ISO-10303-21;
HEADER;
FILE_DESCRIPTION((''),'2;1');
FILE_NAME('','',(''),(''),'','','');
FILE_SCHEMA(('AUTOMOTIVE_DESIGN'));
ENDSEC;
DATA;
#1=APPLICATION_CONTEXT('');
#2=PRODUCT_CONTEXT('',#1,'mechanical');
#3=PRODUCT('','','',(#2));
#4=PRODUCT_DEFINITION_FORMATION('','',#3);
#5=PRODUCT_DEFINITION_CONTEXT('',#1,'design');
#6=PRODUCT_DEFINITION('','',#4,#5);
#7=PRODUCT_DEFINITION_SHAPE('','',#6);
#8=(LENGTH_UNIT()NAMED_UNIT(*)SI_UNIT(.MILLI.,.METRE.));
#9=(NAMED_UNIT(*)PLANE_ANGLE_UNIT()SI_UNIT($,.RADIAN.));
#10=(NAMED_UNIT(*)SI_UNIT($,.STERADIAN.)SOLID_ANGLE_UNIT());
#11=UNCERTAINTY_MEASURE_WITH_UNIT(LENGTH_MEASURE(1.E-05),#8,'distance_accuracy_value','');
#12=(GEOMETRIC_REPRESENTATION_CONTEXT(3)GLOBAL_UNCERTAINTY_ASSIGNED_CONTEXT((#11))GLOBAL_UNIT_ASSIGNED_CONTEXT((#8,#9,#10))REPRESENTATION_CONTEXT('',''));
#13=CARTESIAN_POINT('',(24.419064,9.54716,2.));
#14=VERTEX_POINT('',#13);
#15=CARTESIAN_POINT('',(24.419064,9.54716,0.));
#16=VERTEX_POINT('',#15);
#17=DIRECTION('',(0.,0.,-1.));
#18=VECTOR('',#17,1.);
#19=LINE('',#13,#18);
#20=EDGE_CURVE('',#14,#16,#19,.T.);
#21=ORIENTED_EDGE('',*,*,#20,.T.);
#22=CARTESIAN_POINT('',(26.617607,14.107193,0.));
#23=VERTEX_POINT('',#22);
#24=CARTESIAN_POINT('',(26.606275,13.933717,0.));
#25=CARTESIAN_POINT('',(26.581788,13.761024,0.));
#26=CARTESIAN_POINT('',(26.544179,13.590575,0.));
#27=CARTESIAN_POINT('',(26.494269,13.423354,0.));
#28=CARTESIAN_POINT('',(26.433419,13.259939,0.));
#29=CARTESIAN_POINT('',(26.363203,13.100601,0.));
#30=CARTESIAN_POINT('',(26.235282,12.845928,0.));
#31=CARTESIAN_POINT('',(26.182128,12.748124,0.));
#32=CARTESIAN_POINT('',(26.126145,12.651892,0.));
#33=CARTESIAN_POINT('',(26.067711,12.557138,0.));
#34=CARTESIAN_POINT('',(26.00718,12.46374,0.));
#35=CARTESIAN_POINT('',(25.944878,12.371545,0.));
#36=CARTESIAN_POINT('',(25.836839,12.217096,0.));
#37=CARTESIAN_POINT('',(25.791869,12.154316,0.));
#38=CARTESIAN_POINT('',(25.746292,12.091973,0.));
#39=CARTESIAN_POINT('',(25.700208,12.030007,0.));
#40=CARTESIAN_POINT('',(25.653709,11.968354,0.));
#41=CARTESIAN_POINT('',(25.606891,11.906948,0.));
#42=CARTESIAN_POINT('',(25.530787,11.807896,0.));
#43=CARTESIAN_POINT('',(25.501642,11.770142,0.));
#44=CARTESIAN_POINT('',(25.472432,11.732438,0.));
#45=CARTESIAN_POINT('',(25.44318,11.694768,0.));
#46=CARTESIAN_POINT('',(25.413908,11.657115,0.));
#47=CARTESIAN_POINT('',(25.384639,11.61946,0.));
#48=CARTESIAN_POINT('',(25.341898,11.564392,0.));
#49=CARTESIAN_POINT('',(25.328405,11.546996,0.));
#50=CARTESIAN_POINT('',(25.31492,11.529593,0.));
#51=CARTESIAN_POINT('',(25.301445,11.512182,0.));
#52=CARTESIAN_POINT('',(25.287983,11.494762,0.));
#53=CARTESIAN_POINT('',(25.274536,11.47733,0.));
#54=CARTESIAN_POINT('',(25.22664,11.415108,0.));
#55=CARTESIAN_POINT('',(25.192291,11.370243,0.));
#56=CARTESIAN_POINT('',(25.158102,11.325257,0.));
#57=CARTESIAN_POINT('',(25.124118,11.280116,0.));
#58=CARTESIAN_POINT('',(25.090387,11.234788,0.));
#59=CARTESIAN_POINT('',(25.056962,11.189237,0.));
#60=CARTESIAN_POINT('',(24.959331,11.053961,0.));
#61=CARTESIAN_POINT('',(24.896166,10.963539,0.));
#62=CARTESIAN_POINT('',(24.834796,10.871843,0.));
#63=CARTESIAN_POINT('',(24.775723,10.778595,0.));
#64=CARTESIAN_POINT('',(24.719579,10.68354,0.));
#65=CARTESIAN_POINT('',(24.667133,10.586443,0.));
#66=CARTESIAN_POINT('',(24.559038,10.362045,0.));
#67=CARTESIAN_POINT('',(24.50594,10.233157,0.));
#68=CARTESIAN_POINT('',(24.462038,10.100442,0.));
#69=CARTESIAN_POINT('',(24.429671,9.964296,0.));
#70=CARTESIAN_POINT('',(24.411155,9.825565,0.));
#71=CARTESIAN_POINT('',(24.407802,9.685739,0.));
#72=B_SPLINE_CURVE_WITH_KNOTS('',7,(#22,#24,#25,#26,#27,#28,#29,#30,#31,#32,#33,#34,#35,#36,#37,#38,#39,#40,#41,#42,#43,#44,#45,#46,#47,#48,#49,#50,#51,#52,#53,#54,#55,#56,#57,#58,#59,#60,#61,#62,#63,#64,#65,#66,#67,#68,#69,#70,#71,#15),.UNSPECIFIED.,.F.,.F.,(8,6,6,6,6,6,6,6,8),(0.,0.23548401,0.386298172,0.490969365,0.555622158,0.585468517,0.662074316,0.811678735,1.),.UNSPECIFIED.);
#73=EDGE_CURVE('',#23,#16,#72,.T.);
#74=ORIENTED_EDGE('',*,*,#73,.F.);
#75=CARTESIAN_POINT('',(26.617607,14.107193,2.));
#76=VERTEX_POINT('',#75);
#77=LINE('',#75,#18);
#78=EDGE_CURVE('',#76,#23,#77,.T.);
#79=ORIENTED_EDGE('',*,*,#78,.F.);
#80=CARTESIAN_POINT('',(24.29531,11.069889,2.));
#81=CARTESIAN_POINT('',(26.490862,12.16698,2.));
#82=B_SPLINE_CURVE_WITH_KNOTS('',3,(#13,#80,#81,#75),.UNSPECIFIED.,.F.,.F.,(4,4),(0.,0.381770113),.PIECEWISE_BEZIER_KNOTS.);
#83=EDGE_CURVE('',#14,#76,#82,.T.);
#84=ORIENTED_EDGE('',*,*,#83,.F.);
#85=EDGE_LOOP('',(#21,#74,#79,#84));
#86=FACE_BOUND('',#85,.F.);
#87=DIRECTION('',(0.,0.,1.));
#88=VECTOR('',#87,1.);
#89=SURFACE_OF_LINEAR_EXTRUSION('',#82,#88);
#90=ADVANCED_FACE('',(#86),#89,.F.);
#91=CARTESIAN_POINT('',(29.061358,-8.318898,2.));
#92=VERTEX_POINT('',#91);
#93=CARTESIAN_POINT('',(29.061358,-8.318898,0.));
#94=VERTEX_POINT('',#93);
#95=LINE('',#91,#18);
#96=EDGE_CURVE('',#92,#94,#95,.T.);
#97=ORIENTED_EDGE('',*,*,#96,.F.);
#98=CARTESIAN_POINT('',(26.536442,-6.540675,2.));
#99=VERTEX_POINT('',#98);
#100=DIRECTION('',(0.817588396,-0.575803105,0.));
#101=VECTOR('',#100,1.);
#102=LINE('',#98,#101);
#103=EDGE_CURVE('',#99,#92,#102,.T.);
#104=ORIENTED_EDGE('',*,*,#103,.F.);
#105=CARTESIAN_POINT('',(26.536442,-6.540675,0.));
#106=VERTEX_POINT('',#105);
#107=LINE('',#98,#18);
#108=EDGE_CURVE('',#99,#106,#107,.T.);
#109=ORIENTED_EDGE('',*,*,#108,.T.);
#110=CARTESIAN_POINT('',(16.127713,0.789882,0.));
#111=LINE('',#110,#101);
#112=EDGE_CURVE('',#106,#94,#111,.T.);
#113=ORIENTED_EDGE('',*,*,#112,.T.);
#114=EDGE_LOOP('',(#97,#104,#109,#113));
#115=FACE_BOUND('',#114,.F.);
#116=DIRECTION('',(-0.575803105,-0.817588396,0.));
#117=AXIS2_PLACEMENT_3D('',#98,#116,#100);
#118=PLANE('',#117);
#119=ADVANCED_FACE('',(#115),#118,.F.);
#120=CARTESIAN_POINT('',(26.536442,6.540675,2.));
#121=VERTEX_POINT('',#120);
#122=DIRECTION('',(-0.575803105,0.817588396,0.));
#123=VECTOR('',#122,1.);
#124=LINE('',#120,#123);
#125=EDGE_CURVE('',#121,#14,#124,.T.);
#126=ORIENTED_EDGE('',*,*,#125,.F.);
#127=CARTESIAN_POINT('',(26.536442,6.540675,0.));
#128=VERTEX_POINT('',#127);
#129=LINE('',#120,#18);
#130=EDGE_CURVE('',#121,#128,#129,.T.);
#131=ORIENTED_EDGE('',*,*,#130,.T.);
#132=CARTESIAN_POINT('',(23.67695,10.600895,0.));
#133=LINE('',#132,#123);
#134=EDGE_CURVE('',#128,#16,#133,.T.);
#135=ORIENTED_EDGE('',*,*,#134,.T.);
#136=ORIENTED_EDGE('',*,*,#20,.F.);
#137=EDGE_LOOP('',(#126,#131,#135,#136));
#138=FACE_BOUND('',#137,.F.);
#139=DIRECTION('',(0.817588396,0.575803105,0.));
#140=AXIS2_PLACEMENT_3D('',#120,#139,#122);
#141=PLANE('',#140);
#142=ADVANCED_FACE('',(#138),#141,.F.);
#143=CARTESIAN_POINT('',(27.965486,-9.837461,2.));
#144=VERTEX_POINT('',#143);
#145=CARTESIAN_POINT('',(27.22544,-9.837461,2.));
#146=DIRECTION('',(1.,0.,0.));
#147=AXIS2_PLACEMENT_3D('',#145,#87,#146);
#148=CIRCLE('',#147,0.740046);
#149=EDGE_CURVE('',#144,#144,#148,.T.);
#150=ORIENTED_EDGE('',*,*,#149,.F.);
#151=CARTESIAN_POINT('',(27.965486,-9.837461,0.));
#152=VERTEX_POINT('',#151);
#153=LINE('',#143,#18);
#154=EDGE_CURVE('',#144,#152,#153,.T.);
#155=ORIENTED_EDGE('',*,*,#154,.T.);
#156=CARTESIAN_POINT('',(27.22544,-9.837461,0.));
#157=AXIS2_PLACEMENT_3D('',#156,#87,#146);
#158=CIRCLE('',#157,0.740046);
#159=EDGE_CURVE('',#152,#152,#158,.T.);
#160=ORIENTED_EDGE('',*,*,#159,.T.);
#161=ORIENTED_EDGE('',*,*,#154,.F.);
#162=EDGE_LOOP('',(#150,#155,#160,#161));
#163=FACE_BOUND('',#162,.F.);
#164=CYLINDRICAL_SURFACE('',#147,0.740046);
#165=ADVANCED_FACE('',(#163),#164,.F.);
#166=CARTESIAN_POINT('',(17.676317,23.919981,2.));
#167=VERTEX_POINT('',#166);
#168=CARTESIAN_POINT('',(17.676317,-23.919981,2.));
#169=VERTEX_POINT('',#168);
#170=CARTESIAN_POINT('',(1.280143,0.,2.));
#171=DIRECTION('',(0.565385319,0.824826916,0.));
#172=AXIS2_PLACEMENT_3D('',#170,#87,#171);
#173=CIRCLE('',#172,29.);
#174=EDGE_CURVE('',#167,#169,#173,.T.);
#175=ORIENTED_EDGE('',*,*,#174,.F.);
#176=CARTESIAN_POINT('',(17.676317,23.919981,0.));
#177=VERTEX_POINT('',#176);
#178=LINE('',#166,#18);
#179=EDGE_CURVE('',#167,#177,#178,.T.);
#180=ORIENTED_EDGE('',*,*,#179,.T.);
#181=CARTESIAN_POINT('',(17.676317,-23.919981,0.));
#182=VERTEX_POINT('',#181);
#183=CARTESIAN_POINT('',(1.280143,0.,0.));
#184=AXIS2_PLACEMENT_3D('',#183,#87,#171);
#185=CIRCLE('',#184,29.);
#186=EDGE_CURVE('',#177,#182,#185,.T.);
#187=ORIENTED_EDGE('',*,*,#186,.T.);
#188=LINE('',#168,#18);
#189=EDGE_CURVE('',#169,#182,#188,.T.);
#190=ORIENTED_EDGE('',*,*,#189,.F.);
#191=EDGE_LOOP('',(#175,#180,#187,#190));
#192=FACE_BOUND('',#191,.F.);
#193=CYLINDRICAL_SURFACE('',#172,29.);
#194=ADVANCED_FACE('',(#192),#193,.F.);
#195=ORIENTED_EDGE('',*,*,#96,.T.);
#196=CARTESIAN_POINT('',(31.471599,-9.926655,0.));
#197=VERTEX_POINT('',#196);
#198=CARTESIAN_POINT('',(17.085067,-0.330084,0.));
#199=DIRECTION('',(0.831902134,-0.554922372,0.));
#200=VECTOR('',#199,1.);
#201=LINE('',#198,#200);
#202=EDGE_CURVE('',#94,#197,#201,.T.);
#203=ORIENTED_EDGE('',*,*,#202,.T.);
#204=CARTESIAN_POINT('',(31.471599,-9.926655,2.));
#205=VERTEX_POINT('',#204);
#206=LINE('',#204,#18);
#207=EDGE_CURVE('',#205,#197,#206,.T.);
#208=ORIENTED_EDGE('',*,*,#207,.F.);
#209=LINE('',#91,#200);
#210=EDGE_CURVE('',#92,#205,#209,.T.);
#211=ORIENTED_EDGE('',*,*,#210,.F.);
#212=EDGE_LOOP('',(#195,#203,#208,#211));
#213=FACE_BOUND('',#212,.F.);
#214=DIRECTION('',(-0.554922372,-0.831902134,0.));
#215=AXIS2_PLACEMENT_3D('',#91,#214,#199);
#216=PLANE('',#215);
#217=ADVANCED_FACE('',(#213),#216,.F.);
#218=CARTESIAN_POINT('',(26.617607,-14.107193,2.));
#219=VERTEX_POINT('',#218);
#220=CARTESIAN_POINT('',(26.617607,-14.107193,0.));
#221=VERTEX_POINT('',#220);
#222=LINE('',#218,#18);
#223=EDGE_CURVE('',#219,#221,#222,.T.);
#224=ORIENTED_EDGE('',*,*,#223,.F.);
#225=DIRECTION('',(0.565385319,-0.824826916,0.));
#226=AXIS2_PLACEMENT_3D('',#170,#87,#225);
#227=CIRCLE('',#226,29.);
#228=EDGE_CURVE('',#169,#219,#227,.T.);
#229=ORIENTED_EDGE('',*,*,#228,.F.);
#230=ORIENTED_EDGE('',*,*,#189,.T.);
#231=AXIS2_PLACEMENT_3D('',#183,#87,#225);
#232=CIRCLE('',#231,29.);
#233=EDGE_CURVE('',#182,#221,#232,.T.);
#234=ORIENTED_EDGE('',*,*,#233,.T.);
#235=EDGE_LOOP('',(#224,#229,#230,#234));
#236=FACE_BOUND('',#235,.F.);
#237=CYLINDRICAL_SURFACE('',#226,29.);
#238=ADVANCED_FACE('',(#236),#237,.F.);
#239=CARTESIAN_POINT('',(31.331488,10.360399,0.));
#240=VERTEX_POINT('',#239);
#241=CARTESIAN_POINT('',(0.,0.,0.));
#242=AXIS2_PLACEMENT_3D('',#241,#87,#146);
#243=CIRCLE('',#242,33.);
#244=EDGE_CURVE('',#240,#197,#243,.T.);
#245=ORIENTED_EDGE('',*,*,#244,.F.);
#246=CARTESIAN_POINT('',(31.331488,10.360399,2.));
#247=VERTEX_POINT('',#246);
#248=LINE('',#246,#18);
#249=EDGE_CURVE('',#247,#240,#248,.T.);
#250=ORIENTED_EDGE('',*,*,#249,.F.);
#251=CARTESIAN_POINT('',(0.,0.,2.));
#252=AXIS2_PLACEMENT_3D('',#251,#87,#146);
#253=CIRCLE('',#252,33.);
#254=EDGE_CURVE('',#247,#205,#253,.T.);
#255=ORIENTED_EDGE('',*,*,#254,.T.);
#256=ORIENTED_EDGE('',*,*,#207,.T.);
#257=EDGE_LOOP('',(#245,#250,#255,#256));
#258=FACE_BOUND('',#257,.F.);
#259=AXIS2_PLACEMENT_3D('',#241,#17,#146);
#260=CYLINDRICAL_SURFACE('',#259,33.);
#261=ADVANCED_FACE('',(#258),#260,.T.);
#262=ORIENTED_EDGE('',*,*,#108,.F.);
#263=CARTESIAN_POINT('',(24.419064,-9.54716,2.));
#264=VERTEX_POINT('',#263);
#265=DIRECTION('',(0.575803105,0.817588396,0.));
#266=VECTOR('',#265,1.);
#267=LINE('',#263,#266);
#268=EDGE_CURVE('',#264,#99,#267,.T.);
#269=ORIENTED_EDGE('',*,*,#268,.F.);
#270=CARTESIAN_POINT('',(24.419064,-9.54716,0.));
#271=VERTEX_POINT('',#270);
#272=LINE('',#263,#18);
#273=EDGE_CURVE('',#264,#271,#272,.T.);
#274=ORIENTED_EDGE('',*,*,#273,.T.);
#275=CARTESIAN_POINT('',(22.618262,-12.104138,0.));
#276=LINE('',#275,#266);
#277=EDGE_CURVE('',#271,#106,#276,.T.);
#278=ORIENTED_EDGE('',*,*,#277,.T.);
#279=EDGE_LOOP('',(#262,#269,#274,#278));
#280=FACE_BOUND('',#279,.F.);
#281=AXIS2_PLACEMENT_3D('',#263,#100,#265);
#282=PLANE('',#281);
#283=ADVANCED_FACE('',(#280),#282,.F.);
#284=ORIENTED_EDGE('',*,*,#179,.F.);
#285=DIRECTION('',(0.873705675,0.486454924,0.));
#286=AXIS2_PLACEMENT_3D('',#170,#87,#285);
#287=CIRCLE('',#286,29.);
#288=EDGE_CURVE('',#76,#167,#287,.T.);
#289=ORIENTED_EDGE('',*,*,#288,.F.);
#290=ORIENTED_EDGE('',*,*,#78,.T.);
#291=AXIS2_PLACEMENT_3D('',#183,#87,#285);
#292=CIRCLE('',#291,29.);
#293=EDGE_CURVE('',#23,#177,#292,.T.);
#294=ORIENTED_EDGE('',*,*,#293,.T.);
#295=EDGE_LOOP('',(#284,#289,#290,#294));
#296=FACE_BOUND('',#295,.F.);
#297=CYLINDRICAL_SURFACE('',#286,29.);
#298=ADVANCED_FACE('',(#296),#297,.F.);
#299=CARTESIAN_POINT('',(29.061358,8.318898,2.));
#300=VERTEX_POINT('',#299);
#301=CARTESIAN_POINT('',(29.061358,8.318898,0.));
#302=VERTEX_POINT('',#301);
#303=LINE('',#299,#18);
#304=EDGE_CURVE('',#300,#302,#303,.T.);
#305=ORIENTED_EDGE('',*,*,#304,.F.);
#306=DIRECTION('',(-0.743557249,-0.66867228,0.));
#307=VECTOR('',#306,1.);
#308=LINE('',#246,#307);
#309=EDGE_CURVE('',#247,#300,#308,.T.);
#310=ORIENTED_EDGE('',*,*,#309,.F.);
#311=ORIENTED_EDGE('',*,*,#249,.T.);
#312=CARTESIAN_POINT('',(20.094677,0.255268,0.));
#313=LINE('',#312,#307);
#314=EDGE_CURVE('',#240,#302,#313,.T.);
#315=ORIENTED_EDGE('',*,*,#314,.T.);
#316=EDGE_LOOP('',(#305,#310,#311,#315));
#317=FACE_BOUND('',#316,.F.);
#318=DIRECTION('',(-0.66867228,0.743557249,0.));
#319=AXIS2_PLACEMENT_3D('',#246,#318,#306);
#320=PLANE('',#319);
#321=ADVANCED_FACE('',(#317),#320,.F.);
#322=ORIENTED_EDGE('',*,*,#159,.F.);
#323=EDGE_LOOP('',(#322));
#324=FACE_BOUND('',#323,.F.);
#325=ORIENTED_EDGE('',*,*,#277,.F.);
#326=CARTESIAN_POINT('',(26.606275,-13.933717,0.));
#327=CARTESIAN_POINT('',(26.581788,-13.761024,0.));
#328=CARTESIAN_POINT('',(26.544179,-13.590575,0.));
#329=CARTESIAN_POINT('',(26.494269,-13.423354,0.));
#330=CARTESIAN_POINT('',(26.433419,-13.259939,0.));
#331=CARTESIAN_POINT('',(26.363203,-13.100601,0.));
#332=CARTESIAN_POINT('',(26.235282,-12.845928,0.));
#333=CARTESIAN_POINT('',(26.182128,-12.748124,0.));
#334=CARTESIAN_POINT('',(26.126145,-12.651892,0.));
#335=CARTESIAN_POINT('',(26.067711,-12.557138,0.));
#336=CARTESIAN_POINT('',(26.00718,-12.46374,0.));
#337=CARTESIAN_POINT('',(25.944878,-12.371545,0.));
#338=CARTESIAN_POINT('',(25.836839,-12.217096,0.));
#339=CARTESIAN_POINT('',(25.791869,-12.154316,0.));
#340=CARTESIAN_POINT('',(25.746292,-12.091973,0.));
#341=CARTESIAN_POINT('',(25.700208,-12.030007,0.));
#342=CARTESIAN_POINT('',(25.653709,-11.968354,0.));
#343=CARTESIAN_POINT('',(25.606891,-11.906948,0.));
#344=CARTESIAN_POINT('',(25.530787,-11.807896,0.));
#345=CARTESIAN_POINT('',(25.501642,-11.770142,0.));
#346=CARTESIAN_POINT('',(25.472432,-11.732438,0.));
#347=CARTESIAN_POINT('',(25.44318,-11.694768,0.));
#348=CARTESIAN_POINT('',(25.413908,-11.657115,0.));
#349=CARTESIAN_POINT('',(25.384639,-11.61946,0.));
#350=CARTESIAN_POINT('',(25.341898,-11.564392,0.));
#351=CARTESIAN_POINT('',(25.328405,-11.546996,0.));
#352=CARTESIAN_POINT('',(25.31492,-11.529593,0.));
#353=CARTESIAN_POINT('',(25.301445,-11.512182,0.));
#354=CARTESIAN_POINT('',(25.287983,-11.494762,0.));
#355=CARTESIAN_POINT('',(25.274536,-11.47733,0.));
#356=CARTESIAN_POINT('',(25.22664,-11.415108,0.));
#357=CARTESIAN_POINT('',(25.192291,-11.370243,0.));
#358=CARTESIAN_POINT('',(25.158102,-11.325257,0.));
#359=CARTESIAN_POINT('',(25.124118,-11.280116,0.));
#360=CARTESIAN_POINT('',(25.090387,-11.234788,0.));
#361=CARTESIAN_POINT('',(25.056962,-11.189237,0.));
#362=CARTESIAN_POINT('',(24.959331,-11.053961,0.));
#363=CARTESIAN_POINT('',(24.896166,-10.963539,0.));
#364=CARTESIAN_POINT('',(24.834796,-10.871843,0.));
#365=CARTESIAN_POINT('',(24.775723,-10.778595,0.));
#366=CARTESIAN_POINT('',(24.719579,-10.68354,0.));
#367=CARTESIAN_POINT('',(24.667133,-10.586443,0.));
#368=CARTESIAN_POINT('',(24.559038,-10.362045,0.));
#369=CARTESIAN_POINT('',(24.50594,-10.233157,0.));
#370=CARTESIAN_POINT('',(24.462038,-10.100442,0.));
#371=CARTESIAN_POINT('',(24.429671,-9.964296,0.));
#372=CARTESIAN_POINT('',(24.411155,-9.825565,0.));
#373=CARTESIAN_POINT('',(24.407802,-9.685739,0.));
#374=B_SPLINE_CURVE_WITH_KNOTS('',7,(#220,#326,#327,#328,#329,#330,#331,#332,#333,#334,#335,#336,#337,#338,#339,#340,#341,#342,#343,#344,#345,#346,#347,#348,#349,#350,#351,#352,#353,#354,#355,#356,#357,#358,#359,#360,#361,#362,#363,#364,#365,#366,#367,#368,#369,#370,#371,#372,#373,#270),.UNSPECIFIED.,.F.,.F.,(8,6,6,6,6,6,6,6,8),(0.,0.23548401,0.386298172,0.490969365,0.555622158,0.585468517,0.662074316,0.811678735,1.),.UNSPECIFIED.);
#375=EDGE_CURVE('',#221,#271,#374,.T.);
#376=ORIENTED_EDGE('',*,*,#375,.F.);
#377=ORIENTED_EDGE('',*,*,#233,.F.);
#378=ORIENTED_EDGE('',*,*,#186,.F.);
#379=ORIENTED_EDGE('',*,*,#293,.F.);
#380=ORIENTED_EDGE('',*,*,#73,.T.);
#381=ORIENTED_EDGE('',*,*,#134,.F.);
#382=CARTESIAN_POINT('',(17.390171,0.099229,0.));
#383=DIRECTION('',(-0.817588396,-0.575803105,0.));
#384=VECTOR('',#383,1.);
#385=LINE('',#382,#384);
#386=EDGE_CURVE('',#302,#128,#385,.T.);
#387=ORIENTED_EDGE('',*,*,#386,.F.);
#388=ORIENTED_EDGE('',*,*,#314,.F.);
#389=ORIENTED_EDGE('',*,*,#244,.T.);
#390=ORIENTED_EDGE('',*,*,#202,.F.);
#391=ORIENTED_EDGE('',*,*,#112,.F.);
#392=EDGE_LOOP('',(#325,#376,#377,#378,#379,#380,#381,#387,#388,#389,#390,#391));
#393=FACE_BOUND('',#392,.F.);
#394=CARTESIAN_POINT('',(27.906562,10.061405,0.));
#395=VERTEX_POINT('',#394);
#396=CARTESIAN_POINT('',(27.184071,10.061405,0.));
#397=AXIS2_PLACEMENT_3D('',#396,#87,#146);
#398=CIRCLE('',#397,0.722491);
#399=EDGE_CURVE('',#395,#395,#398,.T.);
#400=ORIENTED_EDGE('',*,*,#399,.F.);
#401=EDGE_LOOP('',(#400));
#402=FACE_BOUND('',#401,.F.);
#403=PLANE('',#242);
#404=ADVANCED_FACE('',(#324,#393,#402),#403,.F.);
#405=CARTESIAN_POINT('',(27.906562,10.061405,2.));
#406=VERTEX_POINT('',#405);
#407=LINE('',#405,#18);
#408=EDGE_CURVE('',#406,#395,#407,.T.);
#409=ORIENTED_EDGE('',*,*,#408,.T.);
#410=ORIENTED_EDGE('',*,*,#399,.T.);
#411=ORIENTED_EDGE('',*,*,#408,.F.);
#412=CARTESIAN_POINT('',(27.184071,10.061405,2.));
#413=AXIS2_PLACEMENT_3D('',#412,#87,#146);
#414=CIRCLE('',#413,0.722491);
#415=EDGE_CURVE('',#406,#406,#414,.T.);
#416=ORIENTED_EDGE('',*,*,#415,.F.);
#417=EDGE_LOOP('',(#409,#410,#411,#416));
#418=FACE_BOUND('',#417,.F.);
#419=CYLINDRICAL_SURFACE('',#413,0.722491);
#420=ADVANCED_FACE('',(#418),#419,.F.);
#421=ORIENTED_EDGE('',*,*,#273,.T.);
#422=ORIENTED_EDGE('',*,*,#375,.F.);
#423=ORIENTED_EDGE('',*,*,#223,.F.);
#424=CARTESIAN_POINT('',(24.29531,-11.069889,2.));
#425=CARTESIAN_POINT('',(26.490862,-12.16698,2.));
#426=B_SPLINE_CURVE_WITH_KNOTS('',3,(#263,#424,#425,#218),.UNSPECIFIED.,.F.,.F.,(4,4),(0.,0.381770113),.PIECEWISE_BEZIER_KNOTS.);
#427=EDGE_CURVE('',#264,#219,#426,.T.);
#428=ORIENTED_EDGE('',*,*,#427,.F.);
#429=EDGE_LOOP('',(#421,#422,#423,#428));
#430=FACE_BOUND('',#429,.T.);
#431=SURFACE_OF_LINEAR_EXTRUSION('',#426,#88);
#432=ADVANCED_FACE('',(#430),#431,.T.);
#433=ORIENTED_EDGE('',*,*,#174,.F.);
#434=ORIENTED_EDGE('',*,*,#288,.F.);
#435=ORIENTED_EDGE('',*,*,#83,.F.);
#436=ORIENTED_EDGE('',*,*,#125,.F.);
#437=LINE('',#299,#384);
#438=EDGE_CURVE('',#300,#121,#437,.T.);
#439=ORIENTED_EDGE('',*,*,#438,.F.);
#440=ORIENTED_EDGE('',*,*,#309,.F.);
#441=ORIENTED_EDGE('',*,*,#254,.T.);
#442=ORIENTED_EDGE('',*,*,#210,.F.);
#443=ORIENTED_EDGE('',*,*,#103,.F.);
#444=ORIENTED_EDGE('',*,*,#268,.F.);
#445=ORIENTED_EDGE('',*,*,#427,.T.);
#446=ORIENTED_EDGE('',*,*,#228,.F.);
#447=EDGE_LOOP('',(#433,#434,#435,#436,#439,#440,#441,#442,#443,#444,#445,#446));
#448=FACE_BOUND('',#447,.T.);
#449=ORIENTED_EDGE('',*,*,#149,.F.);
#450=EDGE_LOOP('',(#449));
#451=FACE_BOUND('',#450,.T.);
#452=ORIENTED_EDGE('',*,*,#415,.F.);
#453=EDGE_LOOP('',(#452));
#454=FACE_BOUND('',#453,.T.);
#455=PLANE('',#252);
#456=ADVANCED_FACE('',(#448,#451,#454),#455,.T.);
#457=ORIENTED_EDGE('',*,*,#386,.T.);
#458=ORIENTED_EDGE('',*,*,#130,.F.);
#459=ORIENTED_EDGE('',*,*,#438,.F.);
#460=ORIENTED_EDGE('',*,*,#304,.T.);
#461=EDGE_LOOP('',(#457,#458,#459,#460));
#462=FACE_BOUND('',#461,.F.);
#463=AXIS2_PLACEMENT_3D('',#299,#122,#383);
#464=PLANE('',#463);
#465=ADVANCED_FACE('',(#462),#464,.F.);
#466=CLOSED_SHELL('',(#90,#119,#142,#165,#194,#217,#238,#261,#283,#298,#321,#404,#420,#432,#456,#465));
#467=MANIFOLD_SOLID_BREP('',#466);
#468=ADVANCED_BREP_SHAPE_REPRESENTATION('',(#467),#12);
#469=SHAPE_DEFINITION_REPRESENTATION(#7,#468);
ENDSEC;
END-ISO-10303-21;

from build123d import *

# Parameters (mm, degrees)
F0_R     = 33
F1_DEPTH = 2
F3_DEPTH = 2.001
F5_DEPTH = 2.0010001
F6_R     = 0.7224908552
F6_R_2   = 0.7400457382
F7_DEPTH = 2.0010001


with BuildPart() as f1:
    # F0 (on Top) → F1 (new body)
    with BuildSketch(Plane.XY):
        Circle(F0_R)
    extrude(amount=F1_DEPTH)

    # F2 (on face) → F3 (cut, through all)
    with BuildSketch(Plane.XY.offset(2)):
        with BuildLine():
            ThreePointArc((26.6176071003, 14.1071927868), (22.716020238, 19.5321055237), (17.6763167755, 23.9199805513))
            ThreePointArc((17.6763167755, 23.9199805513), (-27.7198574863, 0), (17.6763167755, -23.9199805513))
            ThreePointArc((17.6763167755, -23.9199805513), (22.716020238, -19.5321055237), (26.6176071003, -14.1071927868))
            add(Edge.make_bspline(
                [(24.4190643431, -9.5471604607), (24.2953095849, -11.0698888291), (26.490861777, -12.1669797839), (26.6176071003, -14.1071927868)],
                knots=[0, 0, 0, 0, 0.3817701134, 0.3817701134, 0.3817701134, 0.3817701134], degree=3))
            Line((24.4190643431, -9.5471604607), (26.5364420049, -6.540675446))
            Line((26.5364420049, -6.540675446), (29.0613579283, -8.3188983701))
            ThreePointArc((29.0613579283, -8.3188983701), (29.97382864, -4.203852577), (30.2801425137, 0))
            ThreePointArc((30.2801425137, 0), (29.97382864, 4.203852577), (29.0613579283, 8.3188983701))
            Line((29.0613579283, 8.3188983701), (26.5364420049, 6.540675446))
            Line((26.5364420049, 6.540675446), (24.4190643431, 9.5471604607))
            add(Edge.make_bspline(
                [(24.4190643431, 9.5471604607), (24.2953095849, 11.0698888291), (26.490861777, 12.1669797839), (26.6176071003, 14.1071927868)],
                knots=[0, 0, 0, 0, 0.3817701134, 0.3817701134, 0.3817701134, 0.3817701134], degree=3))
        make_face()
    extrude(amount=-F3_DEPTH, mode=Mode.SUBTRACT)

    # F4 (on face) → F5 (cut, through all)
    with BuildSketch(Plane.XY.offset(2)):
        Polygon((31.331487748, 10.3603993888), (29.0613579283, 8.3188983701), (29.0613579283, -8.3188983701), (31.4715985336, -9.9266553149), (41.9540777802, 0), align=None)
    extrude(amount=-F5_DEPTH, mode=Mode.SUBTRACT)

    # F6 (on face) → F7 (cut, through all)
    with BuildSketch(Plane.XY.offset(2)):
        with Locations((27.1840710193, 10.0614046678)):
            Circle(F6_R)
        with Locations((27.2254403681, -9.8374607041)):
            Circle(F6_R_2)
    extrude(amount=-F7_DEPTH, mode=Mode.SUBTRACT)


solid = f1.part
